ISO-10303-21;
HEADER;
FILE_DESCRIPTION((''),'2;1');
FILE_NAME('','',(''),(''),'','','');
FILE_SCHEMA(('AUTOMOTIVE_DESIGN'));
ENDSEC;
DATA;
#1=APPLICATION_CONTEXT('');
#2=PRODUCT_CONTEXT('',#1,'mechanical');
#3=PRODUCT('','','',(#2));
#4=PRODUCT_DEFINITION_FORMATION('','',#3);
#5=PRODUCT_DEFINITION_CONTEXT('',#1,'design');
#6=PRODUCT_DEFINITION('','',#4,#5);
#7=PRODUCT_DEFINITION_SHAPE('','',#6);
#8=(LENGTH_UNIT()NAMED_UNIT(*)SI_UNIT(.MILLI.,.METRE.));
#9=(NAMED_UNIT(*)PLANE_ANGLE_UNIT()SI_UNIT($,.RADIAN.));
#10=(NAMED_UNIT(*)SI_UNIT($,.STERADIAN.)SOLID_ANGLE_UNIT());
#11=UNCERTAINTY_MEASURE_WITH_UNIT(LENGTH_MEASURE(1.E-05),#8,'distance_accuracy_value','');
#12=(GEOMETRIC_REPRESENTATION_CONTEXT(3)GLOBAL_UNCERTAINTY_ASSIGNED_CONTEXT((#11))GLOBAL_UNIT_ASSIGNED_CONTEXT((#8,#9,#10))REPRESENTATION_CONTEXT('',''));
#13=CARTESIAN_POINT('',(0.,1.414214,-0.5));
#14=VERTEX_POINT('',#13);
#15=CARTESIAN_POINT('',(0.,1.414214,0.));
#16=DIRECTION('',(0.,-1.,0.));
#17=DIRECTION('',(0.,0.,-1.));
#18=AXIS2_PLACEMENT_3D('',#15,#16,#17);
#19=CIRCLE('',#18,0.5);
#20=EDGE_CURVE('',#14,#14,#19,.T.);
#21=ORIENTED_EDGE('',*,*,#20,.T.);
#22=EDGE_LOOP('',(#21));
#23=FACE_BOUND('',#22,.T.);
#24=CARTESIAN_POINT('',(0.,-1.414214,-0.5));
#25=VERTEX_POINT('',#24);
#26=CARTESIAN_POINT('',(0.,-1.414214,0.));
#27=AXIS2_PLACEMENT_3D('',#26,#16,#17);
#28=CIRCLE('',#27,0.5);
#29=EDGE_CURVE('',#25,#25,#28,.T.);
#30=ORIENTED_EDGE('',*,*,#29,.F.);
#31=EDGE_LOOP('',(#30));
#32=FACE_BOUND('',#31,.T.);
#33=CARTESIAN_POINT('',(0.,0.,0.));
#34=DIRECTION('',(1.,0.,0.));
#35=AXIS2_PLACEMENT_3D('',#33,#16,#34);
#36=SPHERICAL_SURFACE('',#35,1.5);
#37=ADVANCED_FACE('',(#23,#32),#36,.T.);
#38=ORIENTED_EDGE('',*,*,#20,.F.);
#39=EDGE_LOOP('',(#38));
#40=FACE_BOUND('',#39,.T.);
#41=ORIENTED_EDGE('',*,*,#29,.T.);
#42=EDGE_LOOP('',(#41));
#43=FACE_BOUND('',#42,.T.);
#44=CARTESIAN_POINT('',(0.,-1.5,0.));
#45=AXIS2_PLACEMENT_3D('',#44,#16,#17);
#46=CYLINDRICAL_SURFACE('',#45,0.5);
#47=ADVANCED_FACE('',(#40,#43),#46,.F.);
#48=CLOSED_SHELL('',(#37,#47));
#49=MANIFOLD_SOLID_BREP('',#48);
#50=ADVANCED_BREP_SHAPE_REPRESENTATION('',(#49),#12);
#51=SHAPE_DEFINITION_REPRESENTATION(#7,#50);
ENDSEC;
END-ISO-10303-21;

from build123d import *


with BuildPart() as part:
    # Sketch1 → Revolve1 (revolve)
    with BuildSketch(Plane.XY):
        with BuildLine():
            Line((0.5, 1.414213562), (0.5, -1.414213562))
            ThreePointArc((0.5, -1.414213562), (1.5, 0), (0.5, 1.414213562))
        make_face()
    revolve(axis=Axis((0, -1.5, 0), (0, 1, 0)))


solid = part.part
